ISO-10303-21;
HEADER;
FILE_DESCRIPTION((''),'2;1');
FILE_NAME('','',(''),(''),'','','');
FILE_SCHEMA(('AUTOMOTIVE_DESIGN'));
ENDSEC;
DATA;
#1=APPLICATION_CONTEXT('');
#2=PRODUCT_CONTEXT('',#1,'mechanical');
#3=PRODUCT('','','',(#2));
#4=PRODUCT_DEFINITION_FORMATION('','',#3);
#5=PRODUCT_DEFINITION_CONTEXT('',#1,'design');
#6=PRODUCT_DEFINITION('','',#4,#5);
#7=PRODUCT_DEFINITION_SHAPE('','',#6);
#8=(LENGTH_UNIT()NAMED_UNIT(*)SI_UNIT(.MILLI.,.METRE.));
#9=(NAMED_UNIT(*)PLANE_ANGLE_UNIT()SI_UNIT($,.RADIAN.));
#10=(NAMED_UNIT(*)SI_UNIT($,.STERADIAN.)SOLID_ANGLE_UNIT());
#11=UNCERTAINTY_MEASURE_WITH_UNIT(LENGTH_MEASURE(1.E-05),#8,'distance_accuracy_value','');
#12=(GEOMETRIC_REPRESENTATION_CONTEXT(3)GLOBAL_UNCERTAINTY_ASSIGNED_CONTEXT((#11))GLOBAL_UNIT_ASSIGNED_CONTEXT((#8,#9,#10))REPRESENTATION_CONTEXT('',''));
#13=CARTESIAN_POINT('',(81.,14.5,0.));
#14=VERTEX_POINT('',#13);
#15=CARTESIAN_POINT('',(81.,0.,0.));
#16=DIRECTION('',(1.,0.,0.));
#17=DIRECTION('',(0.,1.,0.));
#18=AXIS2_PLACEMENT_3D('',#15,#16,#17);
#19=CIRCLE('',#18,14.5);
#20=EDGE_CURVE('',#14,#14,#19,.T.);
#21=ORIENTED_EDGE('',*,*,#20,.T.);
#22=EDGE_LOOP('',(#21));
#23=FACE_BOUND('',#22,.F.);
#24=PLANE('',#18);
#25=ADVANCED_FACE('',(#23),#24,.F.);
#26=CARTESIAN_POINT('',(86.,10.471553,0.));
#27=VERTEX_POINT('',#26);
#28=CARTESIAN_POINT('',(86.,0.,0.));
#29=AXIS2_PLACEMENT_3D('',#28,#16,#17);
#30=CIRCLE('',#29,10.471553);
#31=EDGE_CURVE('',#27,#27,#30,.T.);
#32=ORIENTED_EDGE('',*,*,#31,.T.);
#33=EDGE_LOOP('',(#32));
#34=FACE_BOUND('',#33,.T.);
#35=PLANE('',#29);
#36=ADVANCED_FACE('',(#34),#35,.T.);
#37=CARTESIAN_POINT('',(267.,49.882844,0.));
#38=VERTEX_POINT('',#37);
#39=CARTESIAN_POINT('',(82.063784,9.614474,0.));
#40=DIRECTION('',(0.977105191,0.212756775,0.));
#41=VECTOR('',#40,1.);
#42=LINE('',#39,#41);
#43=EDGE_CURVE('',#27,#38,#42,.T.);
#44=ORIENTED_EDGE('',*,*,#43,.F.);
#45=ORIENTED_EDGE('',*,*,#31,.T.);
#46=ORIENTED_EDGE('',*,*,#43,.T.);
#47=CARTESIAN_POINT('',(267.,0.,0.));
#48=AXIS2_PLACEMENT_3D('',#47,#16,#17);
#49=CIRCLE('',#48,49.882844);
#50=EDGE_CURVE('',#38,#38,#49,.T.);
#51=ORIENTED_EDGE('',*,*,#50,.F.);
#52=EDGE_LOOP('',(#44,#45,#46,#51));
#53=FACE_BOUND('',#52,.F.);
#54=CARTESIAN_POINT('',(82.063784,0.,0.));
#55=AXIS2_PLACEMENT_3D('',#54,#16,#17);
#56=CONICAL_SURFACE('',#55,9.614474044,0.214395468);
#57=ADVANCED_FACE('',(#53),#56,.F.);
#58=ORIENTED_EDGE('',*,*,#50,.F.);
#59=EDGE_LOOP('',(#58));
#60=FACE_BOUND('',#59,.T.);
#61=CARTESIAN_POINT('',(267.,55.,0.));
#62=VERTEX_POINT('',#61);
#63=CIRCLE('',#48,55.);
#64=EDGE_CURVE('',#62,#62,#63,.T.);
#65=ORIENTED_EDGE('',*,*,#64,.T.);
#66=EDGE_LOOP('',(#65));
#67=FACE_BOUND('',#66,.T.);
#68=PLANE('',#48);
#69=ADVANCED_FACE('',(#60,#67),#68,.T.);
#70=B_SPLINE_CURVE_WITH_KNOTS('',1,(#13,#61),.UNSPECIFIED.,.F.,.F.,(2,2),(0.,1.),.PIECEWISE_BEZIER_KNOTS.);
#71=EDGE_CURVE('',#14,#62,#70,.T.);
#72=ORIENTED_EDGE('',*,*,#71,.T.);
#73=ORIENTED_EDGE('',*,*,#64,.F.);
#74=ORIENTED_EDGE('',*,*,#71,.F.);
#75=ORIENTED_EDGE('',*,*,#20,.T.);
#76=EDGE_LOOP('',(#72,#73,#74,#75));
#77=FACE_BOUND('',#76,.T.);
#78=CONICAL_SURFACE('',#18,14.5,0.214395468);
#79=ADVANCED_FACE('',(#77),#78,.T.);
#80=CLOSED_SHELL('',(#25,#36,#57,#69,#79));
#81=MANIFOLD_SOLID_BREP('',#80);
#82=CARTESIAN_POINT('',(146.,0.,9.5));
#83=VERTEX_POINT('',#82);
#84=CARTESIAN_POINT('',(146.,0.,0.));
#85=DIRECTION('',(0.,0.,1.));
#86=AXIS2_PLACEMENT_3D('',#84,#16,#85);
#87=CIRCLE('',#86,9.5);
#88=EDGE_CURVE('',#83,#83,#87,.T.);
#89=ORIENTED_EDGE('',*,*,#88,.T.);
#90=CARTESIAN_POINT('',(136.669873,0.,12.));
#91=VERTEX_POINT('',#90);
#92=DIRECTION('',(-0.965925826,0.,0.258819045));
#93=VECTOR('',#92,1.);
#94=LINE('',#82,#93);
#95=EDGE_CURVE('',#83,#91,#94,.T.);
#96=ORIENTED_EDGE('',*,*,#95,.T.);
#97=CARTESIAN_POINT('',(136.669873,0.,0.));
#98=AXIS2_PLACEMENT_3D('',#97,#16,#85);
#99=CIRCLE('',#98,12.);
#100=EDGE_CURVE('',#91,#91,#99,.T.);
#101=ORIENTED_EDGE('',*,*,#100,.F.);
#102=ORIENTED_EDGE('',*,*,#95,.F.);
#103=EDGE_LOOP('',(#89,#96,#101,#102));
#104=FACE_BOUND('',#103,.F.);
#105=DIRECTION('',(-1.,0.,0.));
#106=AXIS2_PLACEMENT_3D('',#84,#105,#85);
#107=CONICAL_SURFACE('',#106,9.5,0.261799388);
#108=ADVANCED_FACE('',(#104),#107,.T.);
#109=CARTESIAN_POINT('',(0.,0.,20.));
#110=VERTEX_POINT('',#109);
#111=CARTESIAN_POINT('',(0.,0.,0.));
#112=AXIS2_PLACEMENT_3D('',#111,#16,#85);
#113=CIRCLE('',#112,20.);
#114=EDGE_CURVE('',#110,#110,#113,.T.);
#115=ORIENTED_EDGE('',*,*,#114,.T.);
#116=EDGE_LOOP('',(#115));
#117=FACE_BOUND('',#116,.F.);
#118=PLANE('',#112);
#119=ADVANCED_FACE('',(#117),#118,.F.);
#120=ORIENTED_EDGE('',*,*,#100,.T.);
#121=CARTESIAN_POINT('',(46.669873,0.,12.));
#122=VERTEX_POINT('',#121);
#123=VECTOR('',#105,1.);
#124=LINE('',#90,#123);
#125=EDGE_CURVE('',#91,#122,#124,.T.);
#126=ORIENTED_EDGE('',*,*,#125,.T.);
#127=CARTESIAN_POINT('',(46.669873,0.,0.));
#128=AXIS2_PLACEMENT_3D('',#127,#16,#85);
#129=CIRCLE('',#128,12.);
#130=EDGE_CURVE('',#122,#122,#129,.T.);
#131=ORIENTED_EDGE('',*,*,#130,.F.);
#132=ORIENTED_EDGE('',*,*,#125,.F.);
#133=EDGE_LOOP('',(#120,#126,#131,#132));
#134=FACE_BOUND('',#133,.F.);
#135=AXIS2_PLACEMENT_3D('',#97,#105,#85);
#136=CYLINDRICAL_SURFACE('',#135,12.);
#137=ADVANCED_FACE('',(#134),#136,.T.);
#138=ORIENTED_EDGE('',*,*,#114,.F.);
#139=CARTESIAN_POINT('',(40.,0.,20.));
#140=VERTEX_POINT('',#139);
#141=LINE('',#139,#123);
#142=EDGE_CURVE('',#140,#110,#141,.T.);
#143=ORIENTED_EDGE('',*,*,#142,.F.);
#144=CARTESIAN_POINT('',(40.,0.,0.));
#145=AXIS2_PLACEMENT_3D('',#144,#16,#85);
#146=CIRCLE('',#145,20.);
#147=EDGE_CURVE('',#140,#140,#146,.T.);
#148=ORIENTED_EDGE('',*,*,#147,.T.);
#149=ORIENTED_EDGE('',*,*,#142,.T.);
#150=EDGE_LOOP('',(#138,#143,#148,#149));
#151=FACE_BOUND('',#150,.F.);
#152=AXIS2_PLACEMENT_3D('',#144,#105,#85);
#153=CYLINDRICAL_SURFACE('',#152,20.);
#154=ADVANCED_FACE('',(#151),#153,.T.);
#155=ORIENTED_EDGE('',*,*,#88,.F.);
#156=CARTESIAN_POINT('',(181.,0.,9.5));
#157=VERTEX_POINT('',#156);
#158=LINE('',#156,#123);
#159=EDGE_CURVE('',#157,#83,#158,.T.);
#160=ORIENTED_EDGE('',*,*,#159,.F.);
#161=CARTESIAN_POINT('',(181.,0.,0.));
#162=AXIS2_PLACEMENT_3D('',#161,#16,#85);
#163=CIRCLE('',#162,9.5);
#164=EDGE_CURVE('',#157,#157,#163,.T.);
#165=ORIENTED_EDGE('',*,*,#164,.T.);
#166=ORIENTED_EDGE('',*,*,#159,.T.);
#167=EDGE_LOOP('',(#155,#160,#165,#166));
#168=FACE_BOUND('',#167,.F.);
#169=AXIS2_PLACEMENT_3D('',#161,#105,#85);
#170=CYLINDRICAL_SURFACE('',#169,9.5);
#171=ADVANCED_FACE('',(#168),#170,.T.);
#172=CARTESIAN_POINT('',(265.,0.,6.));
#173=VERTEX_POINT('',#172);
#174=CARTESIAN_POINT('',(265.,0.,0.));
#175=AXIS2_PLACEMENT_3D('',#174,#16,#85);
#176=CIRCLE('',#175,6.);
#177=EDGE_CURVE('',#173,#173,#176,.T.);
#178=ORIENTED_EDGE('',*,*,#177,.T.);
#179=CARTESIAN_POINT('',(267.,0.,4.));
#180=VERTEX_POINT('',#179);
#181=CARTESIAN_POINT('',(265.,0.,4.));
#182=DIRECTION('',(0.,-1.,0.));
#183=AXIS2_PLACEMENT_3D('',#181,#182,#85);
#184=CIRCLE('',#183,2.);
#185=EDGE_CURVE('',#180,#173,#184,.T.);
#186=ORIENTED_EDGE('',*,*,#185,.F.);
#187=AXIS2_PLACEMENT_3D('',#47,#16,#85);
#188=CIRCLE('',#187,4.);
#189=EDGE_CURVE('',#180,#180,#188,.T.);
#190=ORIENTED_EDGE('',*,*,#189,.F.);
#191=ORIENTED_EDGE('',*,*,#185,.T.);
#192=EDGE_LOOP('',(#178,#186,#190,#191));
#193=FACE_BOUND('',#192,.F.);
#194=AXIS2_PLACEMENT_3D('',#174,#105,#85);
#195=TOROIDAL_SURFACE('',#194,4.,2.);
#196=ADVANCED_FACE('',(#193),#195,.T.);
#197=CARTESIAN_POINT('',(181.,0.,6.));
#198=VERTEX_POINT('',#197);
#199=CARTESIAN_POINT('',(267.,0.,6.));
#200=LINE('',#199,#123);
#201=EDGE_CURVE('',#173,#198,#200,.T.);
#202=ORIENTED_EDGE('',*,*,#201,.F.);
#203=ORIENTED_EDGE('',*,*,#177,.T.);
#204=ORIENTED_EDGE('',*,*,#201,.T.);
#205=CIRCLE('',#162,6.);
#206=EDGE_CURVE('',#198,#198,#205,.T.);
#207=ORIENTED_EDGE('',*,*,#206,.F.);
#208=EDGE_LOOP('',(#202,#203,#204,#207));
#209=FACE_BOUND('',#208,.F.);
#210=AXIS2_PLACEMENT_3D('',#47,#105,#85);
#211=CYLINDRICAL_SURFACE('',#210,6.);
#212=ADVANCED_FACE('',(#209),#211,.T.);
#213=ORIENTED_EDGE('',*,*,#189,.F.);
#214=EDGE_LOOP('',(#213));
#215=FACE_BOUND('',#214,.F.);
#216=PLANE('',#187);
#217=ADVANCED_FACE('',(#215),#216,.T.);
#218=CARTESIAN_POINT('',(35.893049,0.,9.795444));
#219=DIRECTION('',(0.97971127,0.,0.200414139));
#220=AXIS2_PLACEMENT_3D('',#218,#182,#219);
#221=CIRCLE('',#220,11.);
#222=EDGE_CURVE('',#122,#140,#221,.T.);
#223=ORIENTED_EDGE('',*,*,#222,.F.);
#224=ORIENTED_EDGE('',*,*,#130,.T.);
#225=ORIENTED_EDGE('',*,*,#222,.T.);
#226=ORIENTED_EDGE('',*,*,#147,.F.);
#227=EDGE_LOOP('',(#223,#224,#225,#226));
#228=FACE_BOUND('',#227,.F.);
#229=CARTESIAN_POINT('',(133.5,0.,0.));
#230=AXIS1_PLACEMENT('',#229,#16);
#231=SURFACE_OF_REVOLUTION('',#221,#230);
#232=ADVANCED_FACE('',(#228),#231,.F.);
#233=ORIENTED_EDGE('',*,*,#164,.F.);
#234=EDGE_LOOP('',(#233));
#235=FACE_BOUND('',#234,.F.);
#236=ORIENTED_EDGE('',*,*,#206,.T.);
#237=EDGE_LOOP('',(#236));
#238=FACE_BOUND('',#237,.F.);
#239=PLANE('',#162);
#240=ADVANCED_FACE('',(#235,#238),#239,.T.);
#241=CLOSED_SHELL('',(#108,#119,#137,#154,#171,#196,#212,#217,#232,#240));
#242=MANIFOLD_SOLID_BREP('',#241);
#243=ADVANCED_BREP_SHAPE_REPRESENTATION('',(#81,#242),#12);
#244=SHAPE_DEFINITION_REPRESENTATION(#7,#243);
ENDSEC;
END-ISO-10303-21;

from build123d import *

# Parameters (mm, degrees)
F2_R = 2
F4_R = 14.5
F6_R = 55
F8_T = -5


with BuildPart() as f1:
    # F0 (on Front) → F1 (revolve)
    with BuildSketch(Plane.XZ):
        with BuildLine():
            Line((0, 0), (267, 0))
            Line((267, 0), (267, 6))
            Line((267, 6), (181, 6))
            Line((181, 6), (181, 9.5))
            Line((181, 9.5), (146, 9.5))
            Line((146, 9.5), (136.6698729811, 12))
            Line((136.6698729811, 12), (46.6698729811, 12))
            ThreePointArc((46.6698729811, 12), (44.3418175162, 16.8394710686), (40, 20))
            Line((40, 20), (0, 20))
            Line((0, 20), (0, 0))
        make_face()
    revolve(axis=Axis((133.5, 0, 0), (1, 0, 0)))

    # F2
    f2_edges = [f1.edges().sort_by_distance(p)[0] for p in [
        (267, 0, -6),
    ]]
    fillet(f2_edges, radius=F2_R)


with BuildPart() as f7:
    # F4 (on offset) → F7 section 0
    with BuildSketch(Plane.YZ.offset(81)):
        Circle(F4_R)
    # F6 (on offset) → F7 section 1
    with BuildSketch(Plane.YZ.offset(267)):
        Circle(F6_R)
    loft()

    # F8
    f8_openings = [f7.faces().sort_by_distance(p)[0] for p in [
        (267, 0, 0),
    ]]
    offset(amount=F8_T, openings=f8_openings, kind=Kind.INTERSECTION)


solid = Compound([f1.part, f7.part])
